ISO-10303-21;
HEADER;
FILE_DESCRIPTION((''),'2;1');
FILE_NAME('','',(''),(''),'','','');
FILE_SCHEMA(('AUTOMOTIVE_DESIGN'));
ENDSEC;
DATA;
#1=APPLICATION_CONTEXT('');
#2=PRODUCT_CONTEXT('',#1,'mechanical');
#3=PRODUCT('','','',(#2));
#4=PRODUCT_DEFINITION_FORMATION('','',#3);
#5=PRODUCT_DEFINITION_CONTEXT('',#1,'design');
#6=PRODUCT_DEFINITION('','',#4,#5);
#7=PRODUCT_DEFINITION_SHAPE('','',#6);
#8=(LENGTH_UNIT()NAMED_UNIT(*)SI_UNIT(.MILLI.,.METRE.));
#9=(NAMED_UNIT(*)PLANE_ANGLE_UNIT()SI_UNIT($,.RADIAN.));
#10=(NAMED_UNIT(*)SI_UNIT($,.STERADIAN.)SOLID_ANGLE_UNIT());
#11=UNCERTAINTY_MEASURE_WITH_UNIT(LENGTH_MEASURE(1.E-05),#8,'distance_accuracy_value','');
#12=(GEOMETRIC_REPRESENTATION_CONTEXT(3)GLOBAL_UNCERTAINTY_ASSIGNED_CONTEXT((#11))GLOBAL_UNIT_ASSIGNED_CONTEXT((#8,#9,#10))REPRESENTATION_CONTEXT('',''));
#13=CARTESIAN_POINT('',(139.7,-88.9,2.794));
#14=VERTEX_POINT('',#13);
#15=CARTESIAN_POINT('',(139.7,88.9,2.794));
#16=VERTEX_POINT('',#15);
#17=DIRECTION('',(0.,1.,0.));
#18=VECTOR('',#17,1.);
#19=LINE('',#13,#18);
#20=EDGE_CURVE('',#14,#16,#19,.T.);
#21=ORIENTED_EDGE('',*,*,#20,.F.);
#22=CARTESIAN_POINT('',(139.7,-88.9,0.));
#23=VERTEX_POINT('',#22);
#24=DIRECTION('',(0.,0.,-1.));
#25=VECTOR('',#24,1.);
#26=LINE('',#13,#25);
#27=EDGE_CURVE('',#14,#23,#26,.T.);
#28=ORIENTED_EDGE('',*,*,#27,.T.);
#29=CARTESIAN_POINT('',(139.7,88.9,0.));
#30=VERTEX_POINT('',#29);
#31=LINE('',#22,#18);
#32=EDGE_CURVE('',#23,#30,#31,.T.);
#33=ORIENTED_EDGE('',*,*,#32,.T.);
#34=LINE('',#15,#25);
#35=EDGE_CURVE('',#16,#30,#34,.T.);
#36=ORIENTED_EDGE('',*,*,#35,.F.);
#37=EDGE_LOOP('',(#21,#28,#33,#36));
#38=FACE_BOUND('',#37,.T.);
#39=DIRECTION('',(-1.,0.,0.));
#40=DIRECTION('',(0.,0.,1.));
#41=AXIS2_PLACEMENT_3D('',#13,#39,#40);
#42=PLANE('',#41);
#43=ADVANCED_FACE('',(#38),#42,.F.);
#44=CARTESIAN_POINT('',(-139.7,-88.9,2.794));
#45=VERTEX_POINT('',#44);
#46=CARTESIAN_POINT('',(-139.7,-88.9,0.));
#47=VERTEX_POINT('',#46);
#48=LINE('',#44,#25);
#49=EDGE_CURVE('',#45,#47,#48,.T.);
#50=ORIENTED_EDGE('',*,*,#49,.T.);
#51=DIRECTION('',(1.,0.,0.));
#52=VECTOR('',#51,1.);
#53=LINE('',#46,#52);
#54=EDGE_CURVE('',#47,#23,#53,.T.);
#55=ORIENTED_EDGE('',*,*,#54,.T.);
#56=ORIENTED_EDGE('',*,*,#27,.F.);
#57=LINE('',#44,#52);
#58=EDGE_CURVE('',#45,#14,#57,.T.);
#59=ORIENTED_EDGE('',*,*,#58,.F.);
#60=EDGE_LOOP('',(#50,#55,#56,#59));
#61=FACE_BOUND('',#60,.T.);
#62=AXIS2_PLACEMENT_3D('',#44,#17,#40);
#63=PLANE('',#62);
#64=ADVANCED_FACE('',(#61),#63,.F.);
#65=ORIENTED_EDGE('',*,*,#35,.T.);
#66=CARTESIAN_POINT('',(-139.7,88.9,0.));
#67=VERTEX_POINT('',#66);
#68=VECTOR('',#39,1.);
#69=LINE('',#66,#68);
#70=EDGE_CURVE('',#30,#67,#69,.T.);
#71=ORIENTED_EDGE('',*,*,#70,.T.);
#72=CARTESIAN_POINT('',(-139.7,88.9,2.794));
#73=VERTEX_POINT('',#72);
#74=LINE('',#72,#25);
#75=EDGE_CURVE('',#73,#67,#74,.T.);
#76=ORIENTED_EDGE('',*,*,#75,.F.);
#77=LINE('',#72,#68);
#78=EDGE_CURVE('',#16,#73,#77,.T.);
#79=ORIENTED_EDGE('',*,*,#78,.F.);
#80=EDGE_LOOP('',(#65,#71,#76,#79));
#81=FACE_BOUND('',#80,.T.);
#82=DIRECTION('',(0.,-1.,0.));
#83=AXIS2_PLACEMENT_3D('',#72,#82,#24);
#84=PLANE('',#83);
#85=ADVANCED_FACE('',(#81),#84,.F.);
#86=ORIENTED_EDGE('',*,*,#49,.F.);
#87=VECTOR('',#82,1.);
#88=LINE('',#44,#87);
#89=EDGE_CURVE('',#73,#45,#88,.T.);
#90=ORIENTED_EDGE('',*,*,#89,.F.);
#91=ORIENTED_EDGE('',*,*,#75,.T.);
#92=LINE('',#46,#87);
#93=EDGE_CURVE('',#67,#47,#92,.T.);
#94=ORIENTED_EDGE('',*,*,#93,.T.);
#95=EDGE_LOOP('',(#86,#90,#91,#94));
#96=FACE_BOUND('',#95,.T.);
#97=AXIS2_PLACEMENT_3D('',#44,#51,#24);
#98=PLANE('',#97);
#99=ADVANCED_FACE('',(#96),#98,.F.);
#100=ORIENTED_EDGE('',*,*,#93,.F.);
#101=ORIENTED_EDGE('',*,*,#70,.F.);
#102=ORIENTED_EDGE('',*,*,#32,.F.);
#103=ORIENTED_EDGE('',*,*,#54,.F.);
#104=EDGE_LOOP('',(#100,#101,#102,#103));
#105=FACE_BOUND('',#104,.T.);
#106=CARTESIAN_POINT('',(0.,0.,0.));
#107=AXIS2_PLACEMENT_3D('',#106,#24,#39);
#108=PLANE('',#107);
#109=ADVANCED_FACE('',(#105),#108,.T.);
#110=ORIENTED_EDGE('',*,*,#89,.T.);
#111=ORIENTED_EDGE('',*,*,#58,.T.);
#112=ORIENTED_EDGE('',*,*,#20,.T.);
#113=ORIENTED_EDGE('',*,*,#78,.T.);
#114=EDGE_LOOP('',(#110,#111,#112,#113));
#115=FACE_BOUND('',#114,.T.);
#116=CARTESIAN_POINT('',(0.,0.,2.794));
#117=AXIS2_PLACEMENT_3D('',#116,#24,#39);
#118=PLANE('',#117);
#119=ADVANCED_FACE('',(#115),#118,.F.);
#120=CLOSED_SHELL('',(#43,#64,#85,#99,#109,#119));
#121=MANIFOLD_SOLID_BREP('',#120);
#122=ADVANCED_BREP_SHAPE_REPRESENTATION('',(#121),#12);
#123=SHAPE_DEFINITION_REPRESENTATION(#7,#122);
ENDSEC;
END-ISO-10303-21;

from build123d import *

# Parameters (mm, degrees)
SKETCH1_W           = 279.4
SKETCH1_H           = 177.8
BOSS_EXTRUDE1_DEPTH = 2.794


with BuildPart() as part:
    # Sketch1 → Boss-Extrude1 (new body)
    with BuildSketch(Plane.XY):
        Rectangle(SKETCH1_W, SKETCH1_H)
    extrude(amount=BOSS_EXTRUDE1_DEPTH)


solid = part.part
